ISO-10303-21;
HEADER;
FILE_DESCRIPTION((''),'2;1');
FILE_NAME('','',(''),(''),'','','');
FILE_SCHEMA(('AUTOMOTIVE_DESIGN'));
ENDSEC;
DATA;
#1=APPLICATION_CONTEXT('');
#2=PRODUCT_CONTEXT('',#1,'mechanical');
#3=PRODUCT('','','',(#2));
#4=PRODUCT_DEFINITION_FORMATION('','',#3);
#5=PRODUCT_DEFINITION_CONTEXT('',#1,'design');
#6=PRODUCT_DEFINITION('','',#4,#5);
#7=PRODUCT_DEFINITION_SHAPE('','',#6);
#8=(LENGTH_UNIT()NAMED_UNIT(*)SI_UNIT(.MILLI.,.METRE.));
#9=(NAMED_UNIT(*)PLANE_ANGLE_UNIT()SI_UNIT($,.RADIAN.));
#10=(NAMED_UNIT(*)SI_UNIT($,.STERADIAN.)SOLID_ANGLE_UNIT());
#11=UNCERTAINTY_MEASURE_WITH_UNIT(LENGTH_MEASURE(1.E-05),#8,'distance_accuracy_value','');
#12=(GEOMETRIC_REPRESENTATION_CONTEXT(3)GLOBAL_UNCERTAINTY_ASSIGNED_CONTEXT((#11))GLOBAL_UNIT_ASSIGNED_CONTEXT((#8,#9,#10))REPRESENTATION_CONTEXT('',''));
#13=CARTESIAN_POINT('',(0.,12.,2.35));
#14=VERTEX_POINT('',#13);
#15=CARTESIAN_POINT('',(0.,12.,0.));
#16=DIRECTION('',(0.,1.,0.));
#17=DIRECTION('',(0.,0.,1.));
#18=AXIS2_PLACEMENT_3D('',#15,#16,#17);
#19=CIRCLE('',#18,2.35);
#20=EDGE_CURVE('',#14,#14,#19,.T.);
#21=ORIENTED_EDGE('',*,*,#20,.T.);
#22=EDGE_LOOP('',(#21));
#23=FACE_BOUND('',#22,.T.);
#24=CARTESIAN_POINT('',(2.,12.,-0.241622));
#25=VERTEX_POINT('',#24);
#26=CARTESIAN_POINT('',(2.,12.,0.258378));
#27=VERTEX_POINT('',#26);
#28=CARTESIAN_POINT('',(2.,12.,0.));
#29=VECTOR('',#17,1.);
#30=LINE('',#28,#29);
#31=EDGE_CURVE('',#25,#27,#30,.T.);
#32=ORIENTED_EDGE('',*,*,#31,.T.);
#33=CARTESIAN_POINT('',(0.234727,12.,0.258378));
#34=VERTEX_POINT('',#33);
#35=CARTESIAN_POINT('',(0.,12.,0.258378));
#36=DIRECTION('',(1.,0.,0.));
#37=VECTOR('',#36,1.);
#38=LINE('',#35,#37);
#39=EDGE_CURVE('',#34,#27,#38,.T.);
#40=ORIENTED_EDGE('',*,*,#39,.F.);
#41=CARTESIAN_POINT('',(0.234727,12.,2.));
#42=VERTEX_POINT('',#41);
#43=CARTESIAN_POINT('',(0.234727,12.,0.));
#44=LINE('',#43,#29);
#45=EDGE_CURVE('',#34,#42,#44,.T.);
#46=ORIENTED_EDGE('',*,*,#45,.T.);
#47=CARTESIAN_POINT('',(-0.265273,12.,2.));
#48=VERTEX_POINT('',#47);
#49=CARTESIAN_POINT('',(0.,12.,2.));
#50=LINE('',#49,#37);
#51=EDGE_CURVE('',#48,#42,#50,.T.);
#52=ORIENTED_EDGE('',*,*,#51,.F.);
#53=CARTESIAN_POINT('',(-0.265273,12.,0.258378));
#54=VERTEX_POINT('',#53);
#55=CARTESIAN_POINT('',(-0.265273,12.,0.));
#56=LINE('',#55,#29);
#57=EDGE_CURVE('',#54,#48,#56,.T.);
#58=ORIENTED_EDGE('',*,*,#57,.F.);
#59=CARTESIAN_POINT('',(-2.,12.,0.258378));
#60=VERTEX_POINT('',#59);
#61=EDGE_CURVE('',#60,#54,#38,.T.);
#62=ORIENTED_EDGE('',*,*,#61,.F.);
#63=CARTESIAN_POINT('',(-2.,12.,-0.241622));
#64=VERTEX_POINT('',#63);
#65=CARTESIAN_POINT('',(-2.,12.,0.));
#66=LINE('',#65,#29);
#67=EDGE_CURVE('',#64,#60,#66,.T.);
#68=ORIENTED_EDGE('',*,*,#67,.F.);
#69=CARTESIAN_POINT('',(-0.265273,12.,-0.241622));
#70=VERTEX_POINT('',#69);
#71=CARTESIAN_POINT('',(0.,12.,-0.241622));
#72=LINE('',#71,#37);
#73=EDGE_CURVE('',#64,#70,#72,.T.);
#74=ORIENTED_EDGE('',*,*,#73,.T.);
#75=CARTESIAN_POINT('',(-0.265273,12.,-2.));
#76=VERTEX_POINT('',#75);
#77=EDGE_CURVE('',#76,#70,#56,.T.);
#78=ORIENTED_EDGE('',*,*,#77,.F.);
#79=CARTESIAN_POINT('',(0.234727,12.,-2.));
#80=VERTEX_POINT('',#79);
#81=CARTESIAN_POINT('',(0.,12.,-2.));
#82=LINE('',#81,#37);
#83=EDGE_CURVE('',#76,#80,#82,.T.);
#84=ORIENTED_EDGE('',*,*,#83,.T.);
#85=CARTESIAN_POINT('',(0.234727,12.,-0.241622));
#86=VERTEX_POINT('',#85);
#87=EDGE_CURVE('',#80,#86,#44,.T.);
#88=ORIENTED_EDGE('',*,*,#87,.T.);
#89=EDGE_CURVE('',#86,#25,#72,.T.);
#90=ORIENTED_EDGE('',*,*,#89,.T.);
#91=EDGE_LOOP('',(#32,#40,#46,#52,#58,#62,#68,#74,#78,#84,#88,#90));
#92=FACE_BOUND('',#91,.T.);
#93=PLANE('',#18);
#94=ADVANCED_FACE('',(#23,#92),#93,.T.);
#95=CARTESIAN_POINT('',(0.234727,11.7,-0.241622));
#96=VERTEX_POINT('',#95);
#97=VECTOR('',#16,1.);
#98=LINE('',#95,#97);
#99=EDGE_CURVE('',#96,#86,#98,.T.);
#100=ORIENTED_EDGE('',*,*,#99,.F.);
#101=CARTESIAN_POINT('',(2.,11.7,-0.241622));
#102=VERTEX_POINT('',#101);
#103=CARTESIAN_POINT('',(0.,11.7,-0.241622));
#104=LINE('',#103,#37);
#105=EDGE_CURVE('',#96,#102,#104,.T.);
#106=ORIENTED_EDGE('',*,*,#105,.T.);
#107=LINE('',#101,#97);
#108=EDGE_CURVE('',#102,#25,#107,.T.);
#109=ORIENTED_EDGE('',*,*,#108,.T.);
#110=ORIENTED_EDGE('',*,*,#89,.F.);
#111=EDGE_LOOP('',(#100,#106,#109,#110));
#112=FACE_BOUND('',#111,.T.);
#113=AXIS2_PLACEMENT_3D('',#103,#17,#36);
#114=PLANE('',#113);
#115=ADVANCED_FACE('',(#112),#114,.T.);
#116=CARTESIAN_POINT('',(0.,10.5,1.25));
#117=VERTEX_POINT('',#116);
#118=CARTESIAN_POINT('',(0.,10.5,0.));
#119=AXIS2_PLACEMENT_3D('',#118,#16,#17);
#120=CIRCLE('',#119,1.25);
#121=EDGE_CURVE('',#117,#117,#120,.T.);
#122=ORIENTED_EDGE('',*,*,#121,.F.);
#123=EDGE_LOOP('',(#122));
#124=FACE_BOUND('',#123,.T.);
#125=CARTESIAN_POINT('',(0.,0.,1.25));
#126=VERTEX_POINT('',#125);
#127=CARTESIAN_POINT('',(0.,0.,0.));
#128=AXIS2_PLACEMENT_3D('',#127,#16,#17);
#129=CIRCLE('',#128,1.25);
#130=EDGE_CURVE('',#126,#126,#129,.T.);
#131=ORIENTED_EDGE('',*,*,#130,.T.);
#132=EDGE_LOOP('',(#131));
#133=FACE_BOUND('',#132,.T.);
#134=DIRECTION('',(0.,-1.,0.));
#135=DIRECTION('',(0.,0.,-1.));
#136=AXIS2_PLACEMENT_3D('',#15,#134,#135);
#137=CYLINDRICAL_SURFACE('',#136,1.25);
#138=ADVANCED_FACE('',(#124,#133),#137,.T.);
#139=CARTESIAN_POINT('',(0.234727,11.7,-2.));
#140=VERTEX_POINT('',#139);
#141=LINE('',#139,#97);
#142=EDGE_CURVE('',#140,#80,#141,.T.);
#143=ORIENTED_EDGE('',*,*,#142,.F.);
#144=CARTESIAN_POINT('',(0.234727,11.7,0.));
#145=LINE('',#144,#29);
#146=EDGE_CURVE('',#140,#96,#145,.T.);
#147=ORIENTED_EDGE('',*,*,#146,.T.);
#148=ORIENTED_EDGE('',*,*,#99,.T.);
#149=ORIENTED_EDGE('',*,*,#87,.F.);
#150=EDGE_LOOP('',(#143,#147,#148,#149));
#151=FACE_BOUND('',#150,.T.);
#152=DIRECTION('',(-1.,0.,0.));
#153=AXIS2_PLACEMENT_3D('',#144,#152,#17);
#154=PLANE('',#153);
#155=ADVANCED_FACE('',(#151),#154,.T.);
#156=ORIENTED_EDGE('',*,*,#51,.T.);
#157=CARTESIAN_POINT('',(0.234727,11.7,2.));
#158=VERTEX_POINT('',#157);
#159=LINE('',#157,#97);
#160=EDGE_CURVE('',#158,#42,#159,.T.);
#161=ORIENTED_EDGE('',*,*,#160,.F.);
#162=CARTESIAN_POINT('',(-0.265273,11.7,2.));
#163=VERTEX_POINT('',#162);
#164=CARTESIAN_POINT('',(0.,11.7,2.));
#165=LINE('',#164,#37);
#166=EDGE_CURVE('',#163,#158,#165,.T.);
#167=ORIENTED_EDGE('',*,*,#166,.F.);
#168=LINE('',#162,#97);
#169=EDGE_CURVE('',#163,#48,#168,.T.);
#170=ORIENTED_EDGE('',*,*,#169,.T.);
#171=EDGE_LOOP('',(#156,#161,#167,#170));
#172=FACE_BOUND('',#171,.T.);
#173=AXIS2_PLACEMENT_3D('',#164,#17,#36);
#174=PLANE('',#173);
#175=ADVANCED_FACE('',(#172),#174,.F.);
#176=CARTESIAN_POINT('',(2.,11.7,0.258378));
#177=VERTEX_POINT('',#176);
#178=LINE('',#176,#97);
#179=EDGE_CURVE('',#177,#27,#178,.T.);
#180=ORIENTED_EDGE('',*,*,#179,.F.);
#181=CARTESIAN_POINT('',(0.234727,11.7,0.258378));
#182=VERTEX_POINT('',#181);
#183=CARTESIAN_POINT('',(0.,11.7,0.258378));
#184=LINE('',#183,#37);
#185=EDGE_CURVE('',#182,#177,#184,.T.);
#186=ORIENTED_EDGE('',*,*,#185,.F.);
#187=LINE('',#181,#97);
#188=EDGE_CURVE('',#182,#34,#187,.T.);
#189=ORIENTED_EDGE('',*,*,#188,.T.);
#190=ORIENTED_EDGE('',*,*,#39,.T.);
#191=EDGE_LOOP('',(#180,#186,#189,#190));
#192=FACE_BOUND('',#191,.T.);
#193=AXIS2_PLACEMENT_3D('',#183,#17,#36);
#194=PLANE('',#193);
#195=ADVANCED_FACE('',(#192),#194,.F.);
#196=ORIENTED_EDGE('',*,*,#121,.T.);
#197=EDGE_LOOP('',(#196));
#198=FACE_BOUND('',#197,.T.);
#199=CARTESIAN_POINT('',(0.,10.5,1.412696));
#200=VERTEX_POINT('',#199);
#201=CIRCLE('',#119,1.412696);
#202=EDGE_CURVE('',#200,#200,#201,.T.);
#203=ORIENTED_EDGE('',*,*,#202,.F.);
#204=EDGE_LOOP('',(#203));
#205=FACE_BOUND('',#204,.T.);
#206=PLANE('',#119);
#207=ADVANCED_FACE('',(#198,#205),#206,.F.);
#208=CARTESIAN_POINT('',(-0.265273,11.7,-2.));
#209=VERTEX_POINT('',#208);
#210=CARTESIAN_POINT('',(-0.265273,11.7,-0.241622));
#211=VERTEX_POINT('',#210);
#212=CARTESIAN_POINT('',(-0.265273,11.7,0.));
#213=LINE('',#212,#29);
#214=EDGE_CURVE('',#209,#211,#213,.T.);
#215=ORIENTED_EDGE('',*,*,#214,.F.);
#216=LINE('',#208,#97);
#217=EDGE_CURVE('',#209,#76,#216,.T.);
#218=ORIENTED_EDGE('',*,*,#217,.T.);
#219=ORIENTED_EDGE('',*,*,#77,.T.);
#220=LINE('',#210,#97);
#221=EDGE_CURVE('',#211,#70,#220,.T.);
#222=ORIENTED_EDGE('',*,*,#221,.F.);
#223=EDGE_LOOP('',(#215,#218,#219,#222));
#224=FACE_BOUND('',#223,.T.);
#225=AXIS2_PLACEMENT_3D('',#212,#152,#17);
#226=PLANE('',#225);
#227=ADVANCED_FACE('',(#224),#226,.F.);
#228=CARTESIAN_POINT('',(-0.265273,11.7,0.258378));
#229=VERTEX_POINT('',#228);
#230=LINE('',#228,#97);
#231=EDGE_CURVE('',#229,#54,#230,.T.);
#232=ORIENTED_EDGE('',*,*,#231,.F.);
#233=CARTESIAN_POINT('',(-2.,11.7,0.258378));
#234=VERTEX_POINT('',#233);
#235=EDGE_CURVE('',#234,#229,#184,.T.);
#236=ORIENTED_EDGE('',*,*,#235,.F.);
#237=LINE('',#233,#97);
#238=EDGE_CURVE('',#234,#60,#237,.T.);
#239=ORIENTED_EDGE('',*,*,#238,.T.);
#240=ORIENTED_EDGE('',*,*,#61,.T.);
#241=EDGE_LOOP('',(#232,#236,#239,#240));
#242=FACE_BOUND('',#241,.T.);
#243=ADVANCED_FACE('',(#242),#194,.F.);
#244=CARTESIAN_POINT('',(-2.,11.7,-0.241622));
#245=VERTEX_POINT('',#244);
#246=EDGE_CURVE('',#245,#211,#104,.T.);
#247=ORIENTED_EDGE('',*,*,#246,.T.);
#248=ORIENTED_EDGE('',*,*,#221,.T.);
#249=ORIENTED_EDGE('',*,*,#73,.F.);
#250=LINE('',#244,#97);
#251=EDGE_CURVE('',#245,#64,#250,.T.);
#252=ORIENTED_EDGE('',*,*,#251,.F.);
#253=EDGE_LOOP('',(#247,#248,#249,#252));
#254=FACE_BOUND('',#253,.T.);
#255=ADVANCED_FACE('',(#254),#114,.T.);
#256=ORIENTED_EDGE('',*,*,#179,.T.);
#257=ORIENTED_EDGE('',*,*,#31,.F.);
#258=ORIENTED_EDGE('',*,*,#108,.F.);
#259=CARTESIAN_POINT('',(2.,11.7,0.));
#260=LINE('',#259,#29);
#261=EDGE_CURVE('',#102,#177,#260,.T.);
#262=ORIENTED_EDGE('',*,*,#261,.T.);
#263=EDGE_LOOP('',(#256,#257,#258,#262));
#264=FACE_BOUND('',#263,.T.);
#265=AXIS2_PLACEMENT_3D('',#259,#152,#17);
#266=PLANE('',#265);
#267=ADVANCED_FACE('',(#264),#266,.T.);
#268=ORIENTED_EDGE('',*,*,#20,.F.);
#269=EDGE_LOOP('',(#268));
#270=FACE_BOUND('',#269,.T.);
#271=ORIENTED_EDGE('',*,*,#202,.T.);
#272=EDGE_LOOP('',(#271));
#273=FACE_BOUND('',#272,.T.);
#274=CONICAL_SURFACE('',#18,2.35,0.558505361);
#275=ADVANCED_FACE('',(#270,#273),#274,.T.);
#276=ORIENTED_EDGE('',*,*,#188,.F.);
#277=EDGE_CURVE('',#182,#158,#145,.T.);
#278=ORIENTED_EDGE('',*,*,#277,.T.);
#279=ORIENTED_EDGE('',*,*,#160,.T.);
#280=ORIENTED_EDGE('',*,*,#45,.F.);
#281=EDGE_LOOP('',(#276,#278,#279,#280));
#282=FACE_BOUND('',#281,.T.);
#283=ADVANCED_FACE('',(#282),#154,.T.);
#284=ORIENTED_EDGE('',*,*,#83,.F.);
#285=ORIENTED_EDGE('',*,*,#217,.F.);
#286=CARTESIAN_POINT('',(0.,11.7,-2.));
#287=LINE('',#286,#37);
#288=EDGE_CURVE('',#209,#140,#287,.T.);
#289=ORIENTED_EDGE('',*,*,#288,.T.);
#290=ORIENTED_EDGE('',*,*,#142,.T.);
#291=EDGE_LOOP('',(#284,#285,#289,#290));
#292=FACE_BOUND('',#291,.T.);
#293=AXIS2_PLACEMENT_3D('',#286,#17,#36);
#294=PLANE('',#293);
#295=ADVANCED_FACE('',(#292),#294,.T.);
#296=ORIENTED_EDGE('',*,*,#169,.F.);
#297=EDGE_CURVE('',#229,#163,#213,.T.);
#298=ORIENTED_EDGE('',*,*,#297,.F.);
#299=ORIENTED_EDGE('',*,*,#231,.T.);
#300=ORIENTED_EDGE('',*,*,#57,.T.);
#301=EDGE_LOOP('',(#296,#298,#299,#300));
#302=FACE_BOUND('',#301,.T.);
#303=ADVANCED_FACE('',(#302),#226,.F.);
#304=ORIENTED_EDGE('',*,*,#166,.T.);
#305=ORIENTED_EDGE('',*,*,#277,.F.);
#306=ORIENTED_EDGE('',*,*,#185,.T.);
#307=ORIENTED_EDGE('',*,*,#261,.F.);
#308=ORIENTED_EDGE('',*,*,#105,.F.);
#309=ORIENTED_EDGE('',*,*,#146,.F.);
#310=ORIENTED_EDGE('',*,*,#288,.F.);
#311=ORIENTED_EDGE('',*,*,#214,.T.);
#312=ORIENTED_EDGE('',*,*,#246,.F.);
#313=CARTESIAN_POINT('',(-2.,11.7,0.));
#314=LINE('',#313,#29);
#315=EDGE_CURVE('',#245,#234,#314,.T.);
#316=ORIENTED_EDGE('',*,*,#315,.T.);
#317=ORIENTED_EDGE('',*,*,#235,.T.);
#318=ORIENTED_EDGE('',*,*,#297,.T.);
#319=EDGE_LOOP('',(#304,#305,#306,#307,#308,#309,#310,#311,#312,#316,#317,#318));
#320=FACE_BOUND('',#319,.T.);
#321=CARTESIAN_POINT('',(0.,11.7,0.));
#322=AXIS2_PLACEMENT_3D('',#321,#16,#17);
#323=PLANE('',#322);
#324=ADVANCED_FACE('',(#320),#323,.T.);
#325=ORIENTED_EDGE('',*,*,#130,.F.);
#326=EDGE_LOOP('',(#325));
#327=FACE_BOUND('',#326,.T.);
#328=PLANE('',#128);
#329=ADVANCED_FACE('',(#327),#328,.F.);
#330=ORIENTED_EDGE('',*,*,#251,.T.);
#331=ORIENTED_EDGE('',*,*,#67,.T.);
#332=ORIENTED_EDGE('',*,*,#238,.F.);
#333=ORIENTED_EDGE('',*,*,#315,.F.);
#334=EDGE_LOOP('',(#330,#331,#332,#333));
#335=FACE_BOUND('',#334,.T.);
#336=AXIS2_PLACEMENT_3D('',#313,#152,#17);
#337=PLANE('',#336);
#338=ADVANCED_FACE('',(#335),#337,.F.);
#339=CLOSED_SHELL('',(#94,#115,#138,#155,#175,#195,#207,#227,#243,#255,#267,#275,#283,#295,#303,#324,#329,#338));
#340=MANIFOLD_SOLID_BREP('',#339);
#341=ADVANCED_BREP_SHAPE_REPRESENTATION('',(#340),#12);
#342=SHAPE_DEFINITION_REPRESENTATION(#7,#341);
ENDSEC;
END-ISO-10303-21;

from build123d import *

# Parameters (mm, degrees)
SKETCH1_R           = 1.25
BOSS_EXTRUDE1_DEPTH = 12
SKETCH2_R           = 2.35
BOSS_EXTRUDE2_DEPTH = 1.5
BOSS_EXTRUDE2_TAPER = 32
SKETCH3_W           = 0.5
SKETCH3_H           = 1.758378485
SKETCH3_H_2         = 1.741621515
SKETCH3_W_2         = 1.734727157
SKETCH3_H_3         = 0.5
SKETCH3_W_3         = 1.765272843
CUT_EXTRUDE1_DEPTH  = 0.3


with BuildPart() as part:
    # Sketch1 → Boss-Extrude1 (new body)
    with BuildSketch(Plane(origin=(0, 0, 0), x_dir=(1, 0, 0), z_dir=(0, 1, 0))):
        Circle(SKETCH1_R)
    extrude(amount=BOSS_EXTRUDE1_DEPTH)

    # Sketch2 → Boss-Extrude2 (add)
    with BuildSketch(Plane(origin=(0, 12, 0), x_dir=(1, 0, 0), z_dir=(0, 1, 0))):
        Circle(SKETCH2_R)
    extrude(amount=-BOSS_EXTRUDE2_DEPTH, taper=BOSS_EXTRUDE2_TAPER)

    # Sketch3 → Cut-Extrude1 (cut)
    with BuildSketch(Plane(origin=(0, 12, 0), x_dir=(1, 0, 0), z_dir=(0, 1, 0))):
        with Locations((-0.015272843, 1.120810757)):
            Rectangle(SKETCH3_W, SKETCH3_H)
        with Locations((-0.015272843, -1.129189243)):
            Rectangle(SKETCH3_W, SKETCH3_H_2)
        with Locations((-1.132636421, -0.008378485)):
            Rectangle(SKETCH3_W_2, SKETCH3_H_3)
        with Locations((1.117363579, -0.008378485)):
            Rectangle(SKETCH3_W_3, SKETCH3_H_3)
        with Locations((-0.015272843, -0.008378485)):
            Rectangle(SKETCH3_W, SKETCH3_H_3)
    extrude(amount=-CUT_EXTRUDE1_DEPTH, mode=Mode.SUBTRACT)


solid = part.part
